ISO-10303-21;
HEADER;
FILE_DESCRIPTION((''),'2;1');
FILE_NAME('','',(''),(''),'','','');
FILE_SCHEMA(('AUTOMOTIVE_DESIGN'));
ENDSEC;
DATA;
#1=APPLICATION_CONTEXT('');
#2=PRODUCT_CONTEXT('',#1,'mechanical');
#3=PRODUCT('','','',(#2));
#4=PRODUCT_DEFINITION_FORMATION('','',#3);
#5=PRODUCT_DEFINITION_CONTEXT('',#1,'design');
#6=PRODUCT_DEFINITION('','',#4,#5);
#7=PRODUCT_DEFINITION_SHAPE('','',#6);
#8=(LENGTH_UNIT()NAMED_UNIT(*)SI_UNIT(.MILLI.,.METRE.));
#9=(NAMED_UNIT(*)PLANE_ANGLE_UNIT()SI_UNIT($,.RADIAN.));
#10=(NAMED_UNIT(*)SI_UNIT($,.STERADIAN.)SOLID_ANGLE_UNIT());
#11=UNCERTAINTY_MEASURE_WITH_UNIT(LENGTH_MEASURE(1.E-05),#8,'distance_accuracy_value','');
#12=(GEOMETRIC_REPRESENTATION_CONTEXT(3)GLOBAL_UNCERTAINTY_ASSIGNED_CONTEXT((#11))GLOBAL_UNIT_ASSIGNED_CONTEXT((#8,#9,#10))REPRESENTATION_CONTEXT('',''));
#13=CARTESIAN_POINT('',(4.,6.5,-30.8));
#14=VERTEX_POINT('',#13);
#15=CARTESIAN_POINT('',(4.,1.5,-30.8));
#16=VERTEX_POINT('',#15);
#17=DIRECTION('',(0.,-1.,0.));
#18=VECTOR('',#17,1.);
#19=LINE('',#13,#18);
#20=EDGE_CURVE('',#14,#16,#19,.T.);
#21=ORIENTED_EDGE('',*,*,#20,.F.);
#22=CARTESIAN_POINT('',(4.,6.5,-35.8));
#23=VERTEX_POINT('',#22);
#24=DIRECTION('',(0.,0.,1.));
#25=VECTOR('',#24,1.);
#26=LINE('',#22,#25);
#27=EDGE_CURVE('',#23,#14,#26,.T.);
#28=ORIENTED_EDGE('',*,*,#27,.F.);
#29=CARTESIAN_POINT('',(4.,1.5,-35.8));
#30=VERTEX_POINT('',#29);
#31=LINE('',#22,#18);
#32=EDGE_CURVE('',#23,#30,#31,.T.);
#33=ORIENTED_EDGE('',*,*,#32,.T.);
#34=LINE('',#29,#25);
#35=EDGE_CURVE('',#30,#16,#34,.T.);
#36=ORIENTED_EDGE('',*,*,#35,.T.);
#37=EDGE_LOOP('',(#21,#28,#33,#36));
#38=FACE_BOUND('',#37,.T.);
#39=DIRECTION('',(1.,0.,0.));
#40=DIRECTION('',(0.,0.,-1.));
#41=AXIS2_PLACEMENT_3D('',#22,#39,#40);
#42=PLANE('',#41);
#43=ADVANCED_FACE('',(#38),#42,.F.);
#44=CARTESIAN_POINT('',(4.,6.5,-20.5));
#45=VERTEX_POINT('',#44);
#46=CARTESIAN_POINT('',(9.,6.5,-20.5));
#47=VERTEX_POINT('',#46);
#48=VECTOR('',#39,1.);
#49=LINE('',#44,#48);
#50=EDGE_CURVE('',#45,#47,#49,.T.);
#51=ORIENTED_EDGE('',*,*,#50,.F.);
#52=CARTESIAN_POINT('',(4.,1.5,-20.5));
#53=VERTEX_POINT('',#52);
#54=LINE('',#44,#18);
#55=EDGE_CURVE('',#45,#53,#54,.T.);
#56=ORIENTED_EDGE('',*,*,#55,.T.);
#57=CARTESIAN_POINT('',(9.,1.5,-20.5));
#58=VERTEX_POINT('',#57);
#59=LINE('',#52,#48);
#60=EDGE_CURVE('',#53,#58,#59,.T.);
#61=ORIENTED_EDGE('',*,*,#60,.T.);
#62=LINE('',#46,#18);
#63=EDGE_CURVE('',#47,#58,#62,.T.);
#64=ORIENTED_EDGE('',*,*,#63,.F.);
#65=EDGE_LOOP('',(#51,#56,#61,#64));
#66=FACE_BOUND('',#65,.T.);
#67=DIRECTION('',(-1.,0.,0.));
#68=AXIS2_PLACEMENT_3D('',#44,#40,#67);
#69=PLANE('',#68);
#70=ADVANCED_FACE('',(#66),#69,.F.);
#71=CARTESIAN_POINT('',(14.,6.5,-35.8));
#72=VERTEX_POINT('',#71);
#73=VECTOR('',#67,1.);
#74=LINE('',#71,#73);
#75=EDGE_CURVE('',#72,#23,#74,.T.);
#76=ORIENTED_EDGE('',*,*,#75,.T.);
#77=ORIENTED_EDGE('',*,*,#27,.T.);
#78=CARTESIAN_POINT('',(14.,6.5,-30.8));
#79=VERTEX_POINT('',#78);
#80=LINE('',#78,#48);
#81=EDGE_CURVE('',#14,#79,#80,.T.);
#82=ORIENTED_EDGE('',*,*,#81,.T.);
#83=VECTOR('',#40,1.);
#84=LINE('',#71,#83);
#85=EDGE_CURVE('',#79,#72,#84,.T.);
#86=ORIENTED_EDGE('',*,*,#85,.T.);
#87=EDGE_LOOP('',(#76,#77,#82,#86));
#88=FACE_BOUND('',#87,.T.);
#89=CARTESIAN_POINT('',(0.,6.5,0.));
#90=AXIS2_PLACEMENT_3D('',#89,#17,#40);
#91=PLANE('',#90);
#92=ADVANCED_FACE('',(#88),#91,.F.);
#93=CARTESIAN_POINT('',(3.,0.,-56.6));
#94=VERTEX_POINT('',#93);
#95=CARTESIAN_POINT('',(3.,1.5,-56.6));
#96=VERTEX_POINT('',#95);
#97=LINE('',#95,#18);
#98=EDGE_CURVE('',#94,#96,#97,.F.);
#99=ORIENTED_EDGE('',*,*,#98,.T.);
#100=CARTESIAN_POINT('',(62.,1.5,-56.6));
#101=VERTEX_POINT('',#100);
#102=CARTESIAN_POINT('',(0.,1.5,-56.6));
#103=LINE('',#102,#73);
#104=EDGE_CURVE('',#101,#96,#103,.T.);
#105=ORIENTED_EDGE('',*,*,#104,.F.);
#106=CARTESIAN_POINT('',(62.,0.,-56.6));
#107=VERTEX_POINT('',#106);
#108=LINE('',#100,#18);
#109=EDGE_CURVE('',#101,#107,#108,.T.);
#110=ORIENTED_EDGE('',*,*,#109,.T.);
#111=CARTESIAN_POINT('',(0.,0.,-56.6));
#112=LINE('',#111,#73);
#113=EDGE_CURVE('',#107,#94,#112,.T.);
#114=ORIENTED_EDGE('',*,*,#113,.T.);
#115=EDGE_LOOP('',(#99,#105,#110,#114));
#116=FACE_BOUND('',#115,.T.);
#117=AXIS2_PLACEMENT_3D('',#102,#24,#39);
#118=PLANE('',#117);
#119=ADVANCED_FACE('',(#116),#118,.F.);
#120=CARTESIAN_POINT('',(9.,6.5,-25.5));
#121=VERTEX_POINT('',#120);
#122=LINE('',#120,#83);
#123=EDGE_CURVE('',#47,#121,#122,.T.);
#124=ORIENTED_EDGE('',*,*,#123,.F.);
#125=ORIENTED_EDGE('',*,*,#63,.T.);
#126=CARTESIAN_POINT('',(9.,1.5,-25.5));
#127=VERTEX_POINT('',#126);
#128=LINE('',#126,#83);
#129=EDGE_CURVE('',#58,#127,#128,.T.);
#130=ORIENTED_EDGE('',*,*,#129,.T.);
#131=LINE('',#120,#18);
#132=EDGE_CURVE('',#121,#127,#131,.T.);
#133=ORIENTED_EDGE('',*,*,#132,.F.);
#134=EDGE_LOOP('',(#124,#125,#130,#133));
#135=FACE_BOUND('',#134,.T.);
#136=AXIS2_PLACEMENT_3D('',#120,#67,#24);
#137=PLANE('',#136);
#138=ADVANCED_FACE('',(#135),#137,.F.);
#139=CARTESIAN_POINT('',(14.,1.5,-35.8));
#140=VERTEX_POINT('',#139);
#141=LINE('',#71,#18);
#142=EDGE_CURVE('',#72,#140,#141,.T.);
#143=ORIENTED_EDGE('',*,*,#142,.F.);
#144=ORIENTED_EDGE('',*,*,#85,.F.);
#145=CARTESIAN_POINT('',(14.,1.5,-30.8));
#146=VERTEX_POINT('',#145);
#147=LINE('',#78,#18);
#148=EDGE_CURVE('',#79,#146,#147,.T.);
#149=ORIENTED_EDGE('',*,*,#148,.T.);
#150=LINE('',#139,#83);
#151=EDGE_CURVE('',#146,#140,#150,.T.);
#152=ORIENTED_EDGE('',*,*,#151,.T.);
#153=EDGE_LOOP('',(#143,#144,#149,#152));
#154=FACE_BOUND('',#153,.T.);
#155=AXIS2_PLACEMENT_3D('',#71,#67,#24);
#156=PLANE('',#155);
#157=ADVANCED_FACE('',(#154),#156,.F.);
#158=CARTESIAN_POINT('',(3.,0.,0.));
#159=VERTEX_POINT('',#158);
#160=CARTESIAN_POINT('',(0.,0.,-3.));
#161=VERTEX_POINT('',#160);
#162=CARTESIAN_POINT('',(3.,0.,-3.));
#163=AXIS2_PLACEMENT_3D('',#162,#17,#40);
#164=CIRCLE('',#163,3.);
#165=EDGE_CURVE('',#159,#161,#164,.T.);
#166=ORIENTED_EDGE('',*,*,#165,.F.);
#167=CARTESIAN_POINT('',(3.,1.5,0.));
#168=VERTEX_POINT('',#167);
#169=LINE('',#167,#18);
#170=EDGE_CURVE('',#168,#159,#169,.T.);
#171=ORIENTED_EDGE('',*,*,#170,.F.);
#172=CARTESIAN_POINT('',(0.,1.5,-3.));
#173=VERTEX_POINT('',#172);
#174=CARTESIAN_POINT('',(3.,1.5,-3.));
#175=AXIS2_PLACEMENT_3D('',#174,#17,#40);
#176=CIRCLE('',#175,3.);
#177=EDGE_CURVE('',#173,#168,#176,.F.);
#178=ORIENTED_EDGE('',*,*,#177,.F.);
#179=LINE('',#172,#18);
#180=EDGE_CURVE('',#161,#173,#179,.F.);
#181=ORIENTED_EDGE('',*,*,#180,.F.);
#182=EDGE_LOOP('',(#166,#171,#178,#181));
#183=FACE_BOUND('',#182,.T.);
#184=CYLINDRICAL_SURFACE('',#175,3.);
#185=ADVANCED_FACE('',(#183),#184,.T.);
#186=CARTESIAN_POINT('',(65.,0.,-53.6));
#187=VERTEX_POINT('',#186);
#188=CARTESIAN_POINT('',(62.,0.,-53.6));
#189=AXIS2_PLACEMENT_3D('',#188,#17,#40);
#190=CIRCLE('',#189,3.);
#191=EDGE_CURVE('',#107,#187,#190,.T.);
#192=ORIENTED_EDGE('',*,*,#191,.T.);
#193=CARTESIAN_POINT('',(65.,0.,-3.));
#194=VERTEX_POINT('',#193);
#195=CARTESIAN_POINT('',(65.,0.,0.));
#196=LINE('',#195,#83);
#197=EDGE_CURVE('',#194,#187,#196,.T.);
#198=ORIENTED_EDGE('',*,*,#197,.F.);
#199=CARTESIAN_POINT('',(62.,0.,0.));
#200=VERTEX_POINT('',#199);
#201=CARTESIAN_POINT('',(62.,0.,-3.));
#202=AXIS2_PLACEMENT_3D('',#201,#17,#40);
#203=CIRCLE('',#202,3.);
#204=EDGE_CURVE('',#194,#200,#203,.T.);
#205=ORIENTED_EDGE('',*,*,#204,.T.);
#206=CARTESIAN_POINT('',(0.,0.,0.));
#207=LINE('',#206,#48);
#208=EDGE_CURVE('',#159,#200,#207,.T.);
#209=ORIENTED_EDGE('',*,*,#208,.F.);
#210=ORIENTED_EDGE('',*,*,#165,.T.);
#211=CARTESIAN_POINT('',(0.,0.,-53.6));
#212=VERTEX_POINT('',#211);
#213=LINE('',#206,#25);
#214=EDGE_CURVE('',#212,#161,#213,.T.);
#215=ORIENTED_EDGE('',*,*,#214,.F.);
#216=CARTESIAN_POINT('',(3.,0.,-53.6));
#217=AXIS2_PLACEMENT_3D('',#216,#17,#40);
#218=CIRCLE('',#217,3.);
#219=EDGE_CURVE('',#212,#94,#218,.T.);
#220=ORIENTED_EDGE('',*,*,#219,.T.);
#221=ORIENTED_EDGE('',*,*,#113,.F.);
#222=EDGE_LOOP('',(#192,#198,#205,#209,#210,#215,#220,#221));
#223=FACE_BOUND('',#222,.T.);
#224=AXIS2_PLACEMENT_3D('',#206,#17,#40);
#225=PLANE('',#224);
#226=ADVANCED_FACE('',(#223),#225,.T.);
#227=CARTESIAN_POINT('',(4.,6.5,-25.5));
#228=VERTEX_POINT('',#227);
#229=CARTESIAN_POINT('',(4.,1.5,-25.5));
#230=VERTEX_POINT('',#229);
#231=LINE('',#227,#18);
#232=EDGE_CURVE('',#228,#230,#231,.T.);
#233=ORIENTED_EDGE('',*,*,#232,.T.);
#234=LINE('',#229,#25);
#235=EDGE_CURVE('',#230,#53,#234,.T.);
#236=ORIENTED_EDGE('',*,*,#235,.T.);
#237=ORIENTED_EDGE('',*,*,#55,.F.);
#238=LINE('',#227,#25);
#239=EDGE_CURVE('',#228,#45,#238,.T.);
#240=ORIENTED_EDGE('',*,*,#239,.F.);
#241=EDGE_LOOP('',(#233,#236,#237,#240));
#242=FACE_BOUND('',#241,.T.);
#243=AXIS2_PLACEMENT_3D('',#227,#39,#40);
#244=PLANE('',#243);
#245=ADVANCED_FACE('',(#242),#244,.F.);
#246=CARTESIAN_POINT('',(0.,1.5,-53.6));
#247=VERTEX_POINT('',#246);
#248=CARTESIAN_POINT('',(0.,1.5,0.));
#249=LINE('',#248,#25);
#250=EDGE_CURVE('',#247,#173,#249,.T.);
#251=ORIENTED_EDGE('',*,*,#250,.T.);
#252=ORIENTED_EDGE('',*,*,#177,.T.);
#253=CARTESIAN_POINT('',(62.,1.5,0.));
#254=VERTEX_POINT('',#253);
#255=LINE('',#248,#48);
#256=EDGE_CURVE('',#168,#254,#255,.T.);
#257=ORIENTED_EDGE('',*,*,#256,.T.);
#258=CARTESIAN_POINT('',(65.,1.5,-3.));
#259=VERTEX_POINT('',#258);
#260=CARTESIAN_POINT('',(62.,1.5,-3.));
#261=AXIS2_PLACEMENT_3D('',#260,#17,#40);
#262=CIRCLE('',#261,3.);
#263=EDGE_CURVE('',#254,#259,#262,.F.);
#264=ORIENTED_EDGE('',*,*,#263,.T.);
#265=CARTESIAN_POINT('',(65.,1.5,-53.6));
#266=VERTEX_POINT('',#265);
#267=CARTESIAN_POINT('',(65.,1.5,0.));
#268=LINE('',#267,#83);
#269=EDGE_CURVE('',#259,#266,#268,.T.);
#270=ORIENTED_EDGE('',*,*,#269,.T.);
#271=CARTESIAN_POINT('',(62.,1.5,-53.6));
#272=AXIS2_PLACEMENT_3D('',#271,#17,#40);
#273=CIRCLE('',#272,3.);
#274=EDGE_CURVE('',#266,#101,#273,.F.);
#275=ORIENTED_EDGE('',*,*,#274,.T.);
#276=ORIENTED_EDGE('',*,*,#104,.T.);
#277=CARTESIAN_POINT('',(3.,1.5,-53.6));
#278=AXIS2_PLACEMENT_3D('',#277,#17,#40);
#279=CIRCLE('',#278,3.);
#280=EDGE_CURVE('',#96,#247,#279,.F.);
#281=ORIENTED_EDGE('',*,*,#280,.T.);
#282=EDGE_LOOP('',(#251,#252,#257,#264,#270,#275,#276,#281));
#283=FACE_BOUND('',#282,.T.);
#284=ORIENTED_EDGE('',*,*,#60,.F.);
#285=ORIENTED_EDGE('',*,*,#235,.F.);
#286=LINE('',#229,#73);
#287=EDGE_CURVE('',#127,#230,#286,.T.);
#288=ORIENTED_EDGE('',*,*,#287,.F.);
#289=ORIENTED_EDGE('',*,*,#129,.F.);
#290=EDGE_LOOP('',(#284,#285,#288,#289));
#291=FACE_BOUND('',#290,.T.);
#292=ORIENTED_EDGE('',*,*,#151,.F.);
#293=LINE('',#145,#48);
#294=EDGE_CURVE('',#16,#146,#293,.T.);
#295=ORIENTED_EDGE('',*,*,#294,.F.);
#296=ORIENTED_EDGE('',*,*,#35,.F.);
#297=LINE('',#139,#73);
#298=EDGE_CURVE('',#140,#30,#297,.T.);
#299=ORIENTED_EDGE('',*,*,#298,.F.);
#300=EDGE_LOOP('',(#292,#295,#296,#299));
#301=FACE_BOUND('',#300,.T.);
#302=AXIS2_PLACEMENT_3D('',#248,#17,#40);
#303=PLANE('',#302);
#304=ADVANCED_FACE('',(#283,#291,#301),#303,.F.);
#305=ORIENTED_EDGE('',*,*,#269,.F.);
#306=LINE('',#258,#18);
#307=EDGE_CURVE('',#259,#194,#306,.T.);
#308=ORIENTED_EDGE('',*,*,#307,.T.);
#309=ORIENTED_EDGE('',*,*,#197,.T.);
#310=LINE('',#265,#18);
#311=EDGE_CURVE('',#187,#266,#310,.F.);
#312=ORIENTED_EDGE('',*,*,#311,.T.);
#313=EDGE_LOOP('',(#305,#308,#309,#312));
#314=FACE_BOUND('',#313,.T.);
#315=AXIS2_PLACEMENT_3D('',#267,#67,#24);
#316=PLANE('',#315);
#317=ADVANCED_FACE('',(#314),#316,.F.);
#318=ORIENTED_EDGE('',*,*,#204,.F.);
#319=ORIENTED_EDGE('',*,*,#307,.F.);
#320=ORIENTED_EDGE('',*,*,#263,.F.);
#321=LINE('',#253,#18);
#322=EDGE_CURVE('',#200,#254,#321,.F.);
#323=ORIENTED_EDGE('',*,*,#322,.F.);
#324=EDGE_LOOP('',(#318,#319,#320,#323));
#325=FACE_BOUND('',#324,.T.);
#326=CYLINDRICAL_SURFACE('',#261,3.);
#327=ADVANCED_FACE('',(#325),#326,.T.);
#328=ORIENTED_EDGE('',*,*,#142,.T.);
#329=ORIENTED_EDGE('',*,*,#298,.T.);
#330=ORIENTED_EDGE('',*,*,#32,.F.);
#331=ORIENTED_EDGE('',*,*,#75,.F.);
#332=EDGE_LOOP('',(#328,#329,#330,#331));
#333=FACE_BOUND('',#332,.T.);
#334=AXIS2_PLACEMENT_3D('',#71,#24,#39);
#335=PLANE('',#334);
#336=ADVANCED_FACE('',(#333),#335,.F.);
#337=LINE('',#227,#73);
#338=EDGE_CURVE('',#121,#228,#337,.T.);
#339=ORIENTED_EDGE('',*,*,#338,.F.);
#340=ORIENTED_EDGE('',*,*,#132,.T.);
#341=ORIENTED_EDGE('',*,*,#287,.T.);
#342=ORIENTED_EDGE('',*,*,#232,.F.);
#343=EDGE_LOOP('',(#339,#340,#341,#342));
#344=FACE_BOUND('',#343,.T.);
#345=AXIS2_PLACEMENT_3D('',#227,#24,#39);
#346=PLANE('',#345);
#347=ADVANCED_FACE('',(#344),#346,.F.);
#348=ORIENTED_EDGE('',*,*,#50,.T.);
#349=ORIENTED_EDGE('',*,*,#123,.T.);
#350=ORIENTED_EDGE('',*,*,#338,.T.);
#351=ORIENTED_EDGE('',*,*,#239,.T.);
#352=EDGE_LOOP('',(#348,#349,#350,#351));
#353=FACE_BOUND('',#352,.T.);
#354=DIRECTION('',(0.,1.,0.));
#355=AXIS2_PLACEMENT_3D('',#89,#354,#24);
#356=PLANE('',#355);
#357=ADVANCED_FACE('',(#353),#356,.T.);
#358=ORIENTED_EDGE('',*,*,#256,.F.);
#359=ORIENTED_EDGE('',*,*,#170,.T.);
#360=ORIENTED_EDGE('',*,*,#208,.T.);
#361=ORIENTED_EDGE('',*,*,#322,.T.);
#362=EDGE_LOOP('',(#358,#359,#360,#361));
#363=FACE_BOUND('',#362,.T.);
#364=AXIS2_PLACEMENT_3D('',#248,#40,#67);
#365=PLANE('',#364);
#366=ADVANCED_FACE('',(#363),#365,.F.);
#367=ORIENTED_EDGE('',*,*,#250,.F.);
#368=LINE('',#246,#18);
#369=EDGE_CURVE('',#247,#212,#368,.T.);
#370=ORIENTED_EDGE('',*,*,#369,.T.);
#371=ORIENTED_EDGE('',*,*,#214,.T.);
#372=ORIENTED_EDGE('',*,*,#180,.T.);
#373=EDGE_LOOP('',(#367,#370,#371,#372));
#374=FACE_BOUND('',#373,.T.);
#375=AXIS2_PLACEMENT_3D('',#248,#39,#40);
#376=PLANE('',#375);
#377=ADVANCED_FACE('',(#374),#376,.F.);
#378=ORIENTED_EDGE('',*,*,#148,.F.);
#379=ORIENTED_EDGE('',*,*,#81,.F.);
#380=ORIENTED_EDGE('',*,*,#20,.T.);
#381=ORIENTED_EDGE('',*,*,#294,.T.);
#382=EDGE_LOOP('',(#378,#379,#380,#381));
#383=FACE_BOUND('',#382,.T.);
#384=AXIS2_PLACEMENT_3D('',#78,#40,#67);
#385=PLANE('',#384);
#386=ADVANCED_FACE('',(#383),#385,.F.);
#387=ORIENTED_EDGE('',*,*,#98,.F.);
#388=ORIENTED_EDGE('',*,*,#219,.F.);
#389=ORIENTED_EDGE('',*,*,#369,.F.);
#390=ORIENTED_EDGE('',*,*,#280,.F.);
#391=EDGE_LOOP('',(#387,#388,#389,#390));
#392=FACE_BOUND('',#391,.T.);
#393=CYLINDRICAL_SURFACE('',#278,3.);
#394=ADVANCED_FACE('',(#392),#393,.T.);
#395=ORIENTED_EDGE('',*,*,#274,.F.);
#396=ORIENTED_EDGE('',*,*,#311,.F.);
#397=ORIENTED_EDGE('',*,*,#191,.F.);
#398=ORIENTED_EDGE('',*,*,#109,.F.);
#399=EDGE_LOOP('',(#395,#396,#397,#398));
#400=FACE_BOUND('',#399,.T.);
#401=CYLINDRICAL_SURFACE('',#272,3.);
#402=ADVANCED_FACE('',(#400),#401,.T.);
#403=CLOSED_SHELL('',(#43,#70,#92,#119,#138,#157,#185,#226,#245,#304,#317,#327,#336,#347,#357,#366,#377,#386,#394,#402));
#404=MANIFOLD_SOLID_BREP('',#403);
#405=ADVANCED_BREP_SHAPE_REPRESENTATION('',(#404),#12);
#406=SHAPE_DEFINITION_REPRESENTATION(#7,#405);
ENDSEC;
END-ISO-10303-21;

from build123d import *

# Parameters (mm, degrees)
SKETCH1_W           = 65
SKETCH1_H           = 56.6
BOSS_EXTRUDE1_DEPTH = 1.5
FILLET1_R           = 3
SKETCH2_W           = 5
SKETCH2_H           = 5
SKETCH2_W_2         = 10
BOSS_EXTRUDE2_DEPTH = 5


with BuildPart() as part:
    # Sketch1 → Boss-Extrude1 (new body)
    with BuildSketch(Plane(origin=(0, 0, 0), x_dir=(1, 0, 0), z_dir=(0, 1, 0))):
        with Locations((32.5, 28.3)):
            Rectangle(SKETCH1_W, SKETCH1_H)
    extrude(amount=BOSS_EXTRUDE1_DEPTH)

    # Fillet1
    fillet1_edges = [part.edges().sort_by_distance(p)[0] for p in [
        (0, 0.75, -56.6),
        (65, 0.75, -56.6),
        (65, 0.75, 0),
        (0, 0.75, 0),
    ]]
    fillet(fillet1_edges, radius=FILLET1_R)

    # Sketch2 → Boss-Extrude2 (add)
    with BuildSketch(Plane(origin=(0, 1.5, 0), x_dir=(1, 0, 0), z_dir=(0, 1, 0))):
        with Locations((6.5, 23)):
            Rectangle(SKETCH2_W, SKETCH2_H)
        with Locations((9, 33.3)):
            Rectangle(SKETCH2_W_2, SKETCH2_H)
    extrude(amount=BOSS_EXTRUDE2_DEPTH)


solid = part.part
